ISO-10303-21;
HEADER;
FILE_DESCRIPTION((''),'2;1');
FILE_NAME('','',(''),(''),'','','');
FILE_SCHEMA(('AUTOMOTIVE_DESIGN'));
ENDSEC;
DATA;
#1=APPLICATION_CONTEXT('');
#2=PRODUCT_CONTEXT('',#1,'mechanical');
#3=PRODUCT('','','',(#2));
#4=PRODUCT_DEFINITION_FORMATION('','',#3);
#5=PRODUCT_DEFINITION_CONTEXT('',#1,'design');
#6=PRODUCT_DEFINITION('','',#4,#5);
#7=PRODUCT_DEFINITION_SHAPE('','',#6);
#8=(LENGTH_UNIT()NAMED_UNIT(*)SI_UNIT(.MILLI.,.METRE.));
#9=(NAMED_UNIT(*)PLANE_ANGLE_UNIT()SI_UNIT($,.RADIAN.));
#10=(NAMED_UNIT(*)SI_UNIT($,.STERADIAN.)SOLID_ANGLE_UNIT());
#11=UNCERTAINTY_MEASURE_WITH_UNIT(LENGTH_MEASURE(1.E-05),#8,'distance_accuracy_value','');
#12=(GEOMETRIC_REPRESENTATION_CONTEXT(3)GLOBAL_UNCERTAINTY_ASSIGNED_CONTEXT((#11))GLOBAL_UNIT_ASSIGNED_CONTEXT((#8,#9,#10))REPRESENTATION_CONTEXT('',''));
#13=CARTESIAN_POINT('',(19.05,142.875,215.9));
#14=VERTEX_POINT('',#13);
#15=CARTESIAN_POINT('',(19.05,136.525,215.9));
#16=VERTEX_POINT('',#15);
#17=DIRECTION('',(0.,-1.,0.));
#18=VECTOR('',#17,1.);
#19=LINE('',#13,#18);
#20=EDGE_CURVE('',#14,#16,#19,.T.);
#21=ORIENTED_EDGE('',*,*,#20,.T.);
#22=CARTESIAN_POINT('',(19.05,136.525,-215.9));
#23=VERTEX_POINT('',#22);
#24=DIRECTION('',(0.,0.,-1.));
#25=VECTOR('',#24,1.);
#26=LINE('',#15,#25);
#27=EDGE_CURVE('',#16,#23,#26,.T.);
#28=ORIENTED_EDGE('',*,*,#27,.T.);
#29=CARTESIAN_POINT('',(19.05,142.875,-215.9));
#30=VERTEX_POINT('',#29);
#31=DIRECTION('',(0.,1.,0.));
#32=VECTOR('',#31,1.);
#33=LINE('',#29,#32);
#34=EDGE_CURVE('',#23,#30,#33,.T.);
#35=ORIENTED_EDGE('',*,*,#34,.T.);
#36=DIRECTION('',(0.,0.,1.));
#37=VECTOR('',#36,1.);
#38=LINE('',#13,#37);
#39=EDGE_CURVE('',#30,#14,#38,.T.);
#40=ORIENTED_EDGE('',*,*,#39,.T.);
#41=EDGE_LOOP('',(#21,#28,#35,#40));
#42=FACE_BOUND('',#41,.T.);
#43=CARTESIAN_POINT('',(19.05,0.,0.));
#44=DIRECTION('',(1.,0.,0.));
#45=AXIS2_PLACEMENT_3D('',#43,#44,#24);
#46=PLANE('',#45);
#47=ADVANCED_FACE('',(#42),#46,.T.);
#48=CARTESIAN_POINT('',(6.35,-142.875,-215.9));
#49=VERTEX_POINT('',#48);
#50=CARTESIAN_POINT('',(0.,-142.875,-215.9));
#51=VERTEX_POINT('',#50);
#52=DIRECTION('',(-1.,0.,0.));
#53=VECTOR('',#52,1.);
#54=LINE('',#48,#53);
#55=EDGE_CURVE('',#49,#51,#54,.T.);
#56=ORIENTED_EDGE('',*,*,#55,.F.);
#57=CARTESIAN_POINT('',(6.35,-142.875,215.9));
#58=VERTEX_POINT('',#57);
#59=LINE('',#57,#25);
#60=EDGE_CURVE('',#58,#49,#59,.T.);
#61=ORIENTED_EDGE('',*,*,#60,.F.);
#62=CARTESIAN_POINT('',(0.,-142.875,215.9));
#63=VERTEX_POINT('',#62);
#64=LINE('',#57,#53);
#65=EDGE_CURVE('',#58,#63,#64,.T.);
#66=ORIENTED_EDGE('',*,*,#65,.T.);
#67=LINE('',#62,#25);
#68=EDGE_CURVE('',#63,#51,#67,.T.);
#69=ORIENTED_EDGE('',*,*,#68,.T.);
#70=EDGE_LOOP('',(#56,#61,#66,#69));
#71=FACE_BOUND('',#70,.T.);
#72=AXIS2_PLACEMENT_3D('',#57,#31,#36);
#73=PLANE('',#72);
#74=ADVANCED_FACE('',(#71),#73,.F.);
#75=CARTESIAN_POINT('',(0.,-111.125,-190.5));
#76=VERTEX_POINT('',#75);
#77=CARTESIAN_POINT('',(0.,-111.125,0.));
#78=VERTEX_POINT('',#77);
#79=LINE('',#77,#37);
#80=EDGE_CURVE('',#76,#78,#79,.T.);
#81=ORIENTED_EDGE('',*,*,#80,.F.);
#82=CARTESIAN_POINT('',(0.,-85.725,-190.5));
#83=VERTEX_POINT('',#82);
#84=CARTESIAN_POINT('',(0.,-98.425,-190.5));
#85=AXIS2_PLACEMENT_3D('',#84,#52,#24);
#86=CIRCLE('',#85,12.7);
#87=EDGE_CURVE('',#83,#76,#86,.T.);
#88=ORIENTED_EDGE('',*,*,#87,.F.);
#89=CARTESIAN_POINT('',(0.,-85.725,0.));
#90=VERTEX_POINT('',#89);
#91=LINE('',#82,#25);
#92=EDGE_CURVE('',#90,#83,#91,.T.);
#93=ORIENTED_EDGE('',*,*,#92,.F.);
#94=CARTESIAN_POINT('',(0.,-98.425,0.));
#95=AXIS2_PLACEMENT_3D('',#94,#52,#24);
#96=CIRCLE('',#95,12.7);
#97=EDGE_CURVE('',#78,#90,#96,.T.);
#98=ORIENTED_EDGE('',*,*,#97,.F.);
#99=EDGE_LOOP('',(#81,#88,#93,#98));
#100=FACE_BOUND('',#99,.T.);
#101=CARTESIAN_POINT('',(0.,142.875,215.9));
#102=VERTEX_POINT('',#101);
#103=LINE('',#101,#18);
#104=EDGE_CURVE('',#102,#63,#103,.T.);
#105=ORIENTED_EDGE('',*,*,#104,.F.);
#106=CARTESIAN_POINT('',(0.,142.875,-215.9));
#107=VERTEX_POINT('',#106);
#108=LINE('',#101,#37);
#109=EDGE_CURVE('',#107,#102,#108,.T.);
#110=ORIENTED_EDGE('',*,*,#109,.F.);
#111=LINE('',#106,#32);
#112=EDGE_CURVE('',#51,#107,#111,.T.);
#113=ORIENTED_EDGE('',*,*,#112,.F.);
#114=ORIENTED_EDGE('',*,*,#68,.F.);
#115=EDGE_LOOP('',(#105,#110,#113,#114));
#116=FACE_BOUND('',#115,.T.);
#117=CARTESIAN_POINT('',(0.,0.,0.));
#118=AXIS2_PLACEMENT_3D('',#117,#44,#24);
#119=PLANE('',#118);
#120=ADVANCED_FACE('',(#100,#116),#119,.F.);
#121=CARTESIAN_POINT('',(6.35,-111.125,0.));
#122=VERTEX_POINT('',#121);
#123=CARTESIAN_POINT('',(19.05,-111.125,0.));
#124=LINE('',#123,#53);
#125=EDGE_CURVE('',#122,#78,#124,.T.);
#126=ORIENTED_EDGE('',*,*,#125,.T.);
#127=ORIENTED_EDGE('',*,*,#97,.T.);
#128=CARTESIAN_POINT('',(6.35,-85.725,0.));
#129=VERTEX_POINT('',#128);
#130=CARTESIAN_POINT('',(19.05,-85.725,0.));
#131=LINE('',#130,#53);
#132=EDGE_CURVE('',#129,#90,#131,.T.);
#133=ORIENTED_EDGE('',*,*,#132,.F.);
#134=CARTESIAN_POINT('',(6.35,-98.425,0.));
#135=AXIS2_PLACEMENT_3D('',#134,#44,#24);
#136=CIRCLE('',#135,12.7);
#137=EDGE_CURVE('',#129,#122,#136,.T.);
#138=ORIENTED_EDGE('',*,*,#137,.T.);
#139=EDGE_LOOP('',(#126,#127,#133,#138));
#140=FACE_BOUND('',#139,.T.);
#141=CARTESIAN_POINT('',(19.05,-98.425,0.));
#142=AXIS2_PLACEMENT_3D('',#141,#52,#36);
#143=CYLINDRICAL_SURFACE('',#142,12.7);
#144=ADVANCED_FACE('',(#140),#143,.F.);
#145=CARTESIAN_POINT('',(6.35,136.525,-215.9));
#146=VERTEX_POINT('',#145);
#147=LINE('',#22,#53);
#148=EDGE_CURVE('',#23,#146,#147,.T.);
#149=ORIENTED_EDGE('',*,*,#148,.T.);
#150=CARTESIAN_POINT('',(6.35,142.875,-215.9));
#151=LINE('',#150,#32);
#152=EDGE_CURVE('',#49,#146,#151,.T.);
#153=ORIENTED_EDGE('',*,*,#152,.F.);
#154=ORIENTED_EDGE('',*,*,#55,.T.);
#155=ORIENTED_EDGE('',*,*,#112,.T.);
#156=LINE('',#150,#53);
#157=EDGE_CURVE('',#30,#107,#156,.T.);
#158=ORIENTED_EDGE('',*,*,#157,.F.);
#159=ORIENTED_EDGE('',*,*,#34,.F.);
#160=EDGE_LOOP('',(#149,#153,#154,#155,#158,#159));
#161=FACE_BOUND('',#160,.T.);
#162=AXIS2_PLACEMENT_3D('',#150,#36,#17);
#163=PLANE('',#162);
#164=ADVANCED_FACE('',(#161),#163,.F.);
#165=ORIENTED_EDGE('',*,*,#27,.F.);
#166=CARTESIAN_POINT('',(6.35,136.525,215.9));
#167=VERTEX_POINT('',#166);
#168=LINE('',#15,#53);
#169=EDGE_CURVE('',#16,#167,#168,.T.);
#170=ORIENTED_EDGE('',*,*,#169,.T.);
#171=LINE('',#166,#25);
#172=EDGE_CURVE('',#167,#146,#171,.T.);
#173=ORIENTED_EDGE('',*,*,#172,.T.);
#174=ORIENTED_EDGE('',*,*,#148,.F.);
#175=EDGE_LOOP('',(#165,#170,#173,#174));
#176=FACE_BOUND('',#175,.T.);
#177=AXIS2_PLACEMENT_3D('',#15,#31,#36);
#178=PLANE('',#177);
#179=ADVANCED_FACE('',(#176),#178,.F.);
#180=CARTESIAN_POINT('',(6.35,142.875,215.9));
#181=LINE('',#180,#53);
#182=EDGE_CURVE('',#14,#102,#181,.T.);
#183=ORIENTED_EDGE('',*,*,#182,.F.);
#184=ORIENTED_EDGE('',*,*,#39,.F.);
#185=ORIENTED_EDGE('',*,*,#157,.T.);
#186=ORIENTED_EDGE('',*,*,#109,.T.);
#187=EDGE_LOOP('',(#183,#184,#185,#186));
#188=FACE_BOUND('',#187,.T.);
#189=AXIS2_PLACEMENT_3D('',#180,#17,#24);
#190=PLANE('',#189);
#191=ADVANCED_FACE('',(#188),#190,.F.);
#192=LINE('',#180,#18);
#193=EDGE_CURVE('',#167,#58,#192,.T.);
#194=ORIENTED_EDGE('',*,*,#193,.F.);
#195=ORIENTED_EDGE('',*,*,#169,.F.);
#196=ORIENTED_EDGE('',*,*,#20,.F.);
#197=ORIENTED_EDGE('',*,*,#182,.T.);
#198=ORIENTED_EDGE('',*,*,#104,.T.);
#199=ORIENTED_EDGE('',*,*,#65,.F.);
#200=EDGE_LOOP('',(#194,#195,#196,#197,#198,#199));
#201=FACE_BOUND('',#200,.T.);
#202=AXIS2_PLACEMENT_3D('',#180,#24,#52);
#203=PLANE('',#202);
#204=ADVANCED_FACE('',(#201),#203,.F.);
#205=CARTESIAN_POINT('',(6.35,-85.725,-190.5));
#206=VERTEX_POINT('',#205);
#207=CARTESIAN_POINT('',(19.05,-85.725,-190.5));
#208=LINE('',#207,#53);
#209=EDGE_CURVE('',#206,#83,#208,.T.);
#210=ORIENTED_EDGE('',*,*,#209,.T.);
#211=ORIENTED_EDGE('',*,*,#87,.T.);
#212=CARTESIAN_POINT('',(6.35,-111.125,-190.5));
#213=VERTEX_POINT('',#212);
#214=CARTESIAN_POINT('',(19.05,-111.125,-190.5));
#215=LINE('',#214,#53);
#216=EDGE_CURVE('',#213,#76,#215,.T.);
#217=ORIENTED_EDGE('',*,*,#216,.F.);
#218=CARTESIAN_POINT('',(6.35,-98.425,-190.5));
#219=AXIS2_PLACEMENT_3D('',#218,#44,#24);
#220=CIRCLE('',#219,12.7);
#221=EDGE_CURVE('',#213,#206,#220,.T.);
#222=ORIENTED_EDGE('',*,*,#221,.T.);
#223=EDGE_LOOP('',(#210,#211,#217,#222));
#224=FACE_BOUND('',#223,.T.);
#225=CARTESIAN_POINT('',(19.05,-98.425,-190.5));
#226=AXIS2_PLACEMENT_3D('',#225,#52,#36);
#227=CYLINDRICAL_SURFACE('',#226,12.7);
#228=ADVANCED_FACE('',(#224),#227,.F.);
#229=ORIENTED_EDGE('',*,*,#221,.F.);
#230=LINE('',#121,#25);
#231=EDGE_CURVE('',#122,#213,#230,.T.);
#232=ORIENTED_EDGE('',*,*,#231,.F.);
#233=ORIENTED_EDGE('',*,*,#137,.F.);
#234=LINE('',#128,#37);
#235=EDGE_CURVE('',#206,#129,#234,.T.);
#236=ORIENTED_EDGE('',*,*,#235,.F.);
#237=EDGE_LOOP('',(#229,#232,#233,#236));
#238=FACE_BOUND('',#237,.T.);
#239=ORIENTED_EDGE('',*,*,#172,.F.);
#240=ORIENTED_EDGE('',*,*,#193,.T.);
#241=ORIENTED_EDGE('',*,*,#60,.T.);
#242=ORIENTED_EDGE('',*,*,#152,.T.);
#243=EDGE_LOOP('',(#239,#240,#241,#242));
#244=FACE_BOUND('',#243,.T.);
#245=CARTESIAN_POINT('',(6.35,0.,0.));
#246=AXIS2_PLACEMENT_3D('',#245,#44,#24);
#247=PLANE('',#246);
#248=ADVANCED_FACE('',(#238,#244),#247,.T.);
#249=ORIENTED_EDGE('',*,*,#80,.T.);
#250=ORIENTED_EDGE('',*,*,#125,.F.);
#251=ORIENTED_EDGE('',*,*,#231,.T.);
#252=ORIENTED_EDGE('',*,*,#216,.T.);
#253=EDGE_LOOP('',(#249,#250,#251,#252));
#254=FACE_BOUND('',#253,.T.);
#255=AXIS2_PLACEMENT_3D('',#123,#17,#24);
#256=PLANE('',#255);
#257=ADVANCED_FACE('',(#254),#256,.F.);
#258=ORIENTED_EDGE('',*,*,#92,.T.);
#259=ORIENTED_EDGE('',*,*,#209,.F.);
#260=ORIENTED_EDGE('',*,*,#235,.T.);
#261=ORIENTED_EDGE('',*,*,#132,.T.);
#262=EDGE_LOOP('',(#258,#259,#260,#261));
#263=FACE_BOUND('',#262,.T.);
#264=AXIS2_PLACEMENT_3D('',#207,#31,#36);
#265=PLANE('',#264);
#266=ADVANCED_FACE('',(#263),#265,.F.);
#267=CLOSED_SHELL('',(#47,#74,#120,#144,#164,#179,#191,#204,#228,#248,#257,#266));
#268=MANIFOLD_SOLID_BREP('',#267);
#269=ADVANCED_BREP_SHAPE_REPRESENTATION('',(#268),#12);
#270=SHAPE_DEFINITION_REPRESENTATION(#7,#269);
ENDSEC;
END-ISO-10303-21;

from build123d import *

# Parameters (mm, degrees)
SKETCH1_W           = 431.8
SKETCH1_H           = 285.75
BOSS_EXTRUDE1_DEPTH = 6.35
SKETCH2_W           = 431.8
SKETCH2_H           = 6.35
BOSS_EXTRUDE2_DEPTH = 12.7
CUT_EXTRUDE1_DEPTH  = 20.05


with BuildPart() as part:
    # Sketch1 → Boss-Extrude1 (new body)
    with BuildSketch(Plane(origin=(0, 0, 0), x_dir=(0, 0, -1), z_dir=(1, 0, 0))):
        Rectangle(SKETCH1_W, SKETCH1_H)
    extrude(amount=BOSS_EXTRUDE1_DEPTH)

    # Sketch2 → Boss-Extrude2 (add)
    with BuildSketch(Plane(origin=(6.35, 0, 0), x_dir=(0, 0, -1), z_dir=(1, 0, 0))):
        with Locations((0, 139.7)):
            Rectangle(SKETCH2_W, SKETCH2_H)
    extrude(amount=BOSS_EXTRUDE2_DEPTH)

    # Sketch3 → Cut-Extrude1 (cut, through all)
    with BuildSketch(Plane.ZY):
        with BuildLine():
            Line((-190.5, -85.725), (0, -85.725))
            ThreePointArc((0, -85.725), (12.7, -98.425), (0, -111.125))
            Line((0, -111.125), (-190.5, -111.125))
            ThreePointArc((-190.5, -111.125), (-203.2, -98.425), (-190.5, -85.725))
        make_face()
    extrude(amount=-CUT_EXTRUDE1_DEPTH, mode=Mode.SUBTRACT)


solid = part.part
